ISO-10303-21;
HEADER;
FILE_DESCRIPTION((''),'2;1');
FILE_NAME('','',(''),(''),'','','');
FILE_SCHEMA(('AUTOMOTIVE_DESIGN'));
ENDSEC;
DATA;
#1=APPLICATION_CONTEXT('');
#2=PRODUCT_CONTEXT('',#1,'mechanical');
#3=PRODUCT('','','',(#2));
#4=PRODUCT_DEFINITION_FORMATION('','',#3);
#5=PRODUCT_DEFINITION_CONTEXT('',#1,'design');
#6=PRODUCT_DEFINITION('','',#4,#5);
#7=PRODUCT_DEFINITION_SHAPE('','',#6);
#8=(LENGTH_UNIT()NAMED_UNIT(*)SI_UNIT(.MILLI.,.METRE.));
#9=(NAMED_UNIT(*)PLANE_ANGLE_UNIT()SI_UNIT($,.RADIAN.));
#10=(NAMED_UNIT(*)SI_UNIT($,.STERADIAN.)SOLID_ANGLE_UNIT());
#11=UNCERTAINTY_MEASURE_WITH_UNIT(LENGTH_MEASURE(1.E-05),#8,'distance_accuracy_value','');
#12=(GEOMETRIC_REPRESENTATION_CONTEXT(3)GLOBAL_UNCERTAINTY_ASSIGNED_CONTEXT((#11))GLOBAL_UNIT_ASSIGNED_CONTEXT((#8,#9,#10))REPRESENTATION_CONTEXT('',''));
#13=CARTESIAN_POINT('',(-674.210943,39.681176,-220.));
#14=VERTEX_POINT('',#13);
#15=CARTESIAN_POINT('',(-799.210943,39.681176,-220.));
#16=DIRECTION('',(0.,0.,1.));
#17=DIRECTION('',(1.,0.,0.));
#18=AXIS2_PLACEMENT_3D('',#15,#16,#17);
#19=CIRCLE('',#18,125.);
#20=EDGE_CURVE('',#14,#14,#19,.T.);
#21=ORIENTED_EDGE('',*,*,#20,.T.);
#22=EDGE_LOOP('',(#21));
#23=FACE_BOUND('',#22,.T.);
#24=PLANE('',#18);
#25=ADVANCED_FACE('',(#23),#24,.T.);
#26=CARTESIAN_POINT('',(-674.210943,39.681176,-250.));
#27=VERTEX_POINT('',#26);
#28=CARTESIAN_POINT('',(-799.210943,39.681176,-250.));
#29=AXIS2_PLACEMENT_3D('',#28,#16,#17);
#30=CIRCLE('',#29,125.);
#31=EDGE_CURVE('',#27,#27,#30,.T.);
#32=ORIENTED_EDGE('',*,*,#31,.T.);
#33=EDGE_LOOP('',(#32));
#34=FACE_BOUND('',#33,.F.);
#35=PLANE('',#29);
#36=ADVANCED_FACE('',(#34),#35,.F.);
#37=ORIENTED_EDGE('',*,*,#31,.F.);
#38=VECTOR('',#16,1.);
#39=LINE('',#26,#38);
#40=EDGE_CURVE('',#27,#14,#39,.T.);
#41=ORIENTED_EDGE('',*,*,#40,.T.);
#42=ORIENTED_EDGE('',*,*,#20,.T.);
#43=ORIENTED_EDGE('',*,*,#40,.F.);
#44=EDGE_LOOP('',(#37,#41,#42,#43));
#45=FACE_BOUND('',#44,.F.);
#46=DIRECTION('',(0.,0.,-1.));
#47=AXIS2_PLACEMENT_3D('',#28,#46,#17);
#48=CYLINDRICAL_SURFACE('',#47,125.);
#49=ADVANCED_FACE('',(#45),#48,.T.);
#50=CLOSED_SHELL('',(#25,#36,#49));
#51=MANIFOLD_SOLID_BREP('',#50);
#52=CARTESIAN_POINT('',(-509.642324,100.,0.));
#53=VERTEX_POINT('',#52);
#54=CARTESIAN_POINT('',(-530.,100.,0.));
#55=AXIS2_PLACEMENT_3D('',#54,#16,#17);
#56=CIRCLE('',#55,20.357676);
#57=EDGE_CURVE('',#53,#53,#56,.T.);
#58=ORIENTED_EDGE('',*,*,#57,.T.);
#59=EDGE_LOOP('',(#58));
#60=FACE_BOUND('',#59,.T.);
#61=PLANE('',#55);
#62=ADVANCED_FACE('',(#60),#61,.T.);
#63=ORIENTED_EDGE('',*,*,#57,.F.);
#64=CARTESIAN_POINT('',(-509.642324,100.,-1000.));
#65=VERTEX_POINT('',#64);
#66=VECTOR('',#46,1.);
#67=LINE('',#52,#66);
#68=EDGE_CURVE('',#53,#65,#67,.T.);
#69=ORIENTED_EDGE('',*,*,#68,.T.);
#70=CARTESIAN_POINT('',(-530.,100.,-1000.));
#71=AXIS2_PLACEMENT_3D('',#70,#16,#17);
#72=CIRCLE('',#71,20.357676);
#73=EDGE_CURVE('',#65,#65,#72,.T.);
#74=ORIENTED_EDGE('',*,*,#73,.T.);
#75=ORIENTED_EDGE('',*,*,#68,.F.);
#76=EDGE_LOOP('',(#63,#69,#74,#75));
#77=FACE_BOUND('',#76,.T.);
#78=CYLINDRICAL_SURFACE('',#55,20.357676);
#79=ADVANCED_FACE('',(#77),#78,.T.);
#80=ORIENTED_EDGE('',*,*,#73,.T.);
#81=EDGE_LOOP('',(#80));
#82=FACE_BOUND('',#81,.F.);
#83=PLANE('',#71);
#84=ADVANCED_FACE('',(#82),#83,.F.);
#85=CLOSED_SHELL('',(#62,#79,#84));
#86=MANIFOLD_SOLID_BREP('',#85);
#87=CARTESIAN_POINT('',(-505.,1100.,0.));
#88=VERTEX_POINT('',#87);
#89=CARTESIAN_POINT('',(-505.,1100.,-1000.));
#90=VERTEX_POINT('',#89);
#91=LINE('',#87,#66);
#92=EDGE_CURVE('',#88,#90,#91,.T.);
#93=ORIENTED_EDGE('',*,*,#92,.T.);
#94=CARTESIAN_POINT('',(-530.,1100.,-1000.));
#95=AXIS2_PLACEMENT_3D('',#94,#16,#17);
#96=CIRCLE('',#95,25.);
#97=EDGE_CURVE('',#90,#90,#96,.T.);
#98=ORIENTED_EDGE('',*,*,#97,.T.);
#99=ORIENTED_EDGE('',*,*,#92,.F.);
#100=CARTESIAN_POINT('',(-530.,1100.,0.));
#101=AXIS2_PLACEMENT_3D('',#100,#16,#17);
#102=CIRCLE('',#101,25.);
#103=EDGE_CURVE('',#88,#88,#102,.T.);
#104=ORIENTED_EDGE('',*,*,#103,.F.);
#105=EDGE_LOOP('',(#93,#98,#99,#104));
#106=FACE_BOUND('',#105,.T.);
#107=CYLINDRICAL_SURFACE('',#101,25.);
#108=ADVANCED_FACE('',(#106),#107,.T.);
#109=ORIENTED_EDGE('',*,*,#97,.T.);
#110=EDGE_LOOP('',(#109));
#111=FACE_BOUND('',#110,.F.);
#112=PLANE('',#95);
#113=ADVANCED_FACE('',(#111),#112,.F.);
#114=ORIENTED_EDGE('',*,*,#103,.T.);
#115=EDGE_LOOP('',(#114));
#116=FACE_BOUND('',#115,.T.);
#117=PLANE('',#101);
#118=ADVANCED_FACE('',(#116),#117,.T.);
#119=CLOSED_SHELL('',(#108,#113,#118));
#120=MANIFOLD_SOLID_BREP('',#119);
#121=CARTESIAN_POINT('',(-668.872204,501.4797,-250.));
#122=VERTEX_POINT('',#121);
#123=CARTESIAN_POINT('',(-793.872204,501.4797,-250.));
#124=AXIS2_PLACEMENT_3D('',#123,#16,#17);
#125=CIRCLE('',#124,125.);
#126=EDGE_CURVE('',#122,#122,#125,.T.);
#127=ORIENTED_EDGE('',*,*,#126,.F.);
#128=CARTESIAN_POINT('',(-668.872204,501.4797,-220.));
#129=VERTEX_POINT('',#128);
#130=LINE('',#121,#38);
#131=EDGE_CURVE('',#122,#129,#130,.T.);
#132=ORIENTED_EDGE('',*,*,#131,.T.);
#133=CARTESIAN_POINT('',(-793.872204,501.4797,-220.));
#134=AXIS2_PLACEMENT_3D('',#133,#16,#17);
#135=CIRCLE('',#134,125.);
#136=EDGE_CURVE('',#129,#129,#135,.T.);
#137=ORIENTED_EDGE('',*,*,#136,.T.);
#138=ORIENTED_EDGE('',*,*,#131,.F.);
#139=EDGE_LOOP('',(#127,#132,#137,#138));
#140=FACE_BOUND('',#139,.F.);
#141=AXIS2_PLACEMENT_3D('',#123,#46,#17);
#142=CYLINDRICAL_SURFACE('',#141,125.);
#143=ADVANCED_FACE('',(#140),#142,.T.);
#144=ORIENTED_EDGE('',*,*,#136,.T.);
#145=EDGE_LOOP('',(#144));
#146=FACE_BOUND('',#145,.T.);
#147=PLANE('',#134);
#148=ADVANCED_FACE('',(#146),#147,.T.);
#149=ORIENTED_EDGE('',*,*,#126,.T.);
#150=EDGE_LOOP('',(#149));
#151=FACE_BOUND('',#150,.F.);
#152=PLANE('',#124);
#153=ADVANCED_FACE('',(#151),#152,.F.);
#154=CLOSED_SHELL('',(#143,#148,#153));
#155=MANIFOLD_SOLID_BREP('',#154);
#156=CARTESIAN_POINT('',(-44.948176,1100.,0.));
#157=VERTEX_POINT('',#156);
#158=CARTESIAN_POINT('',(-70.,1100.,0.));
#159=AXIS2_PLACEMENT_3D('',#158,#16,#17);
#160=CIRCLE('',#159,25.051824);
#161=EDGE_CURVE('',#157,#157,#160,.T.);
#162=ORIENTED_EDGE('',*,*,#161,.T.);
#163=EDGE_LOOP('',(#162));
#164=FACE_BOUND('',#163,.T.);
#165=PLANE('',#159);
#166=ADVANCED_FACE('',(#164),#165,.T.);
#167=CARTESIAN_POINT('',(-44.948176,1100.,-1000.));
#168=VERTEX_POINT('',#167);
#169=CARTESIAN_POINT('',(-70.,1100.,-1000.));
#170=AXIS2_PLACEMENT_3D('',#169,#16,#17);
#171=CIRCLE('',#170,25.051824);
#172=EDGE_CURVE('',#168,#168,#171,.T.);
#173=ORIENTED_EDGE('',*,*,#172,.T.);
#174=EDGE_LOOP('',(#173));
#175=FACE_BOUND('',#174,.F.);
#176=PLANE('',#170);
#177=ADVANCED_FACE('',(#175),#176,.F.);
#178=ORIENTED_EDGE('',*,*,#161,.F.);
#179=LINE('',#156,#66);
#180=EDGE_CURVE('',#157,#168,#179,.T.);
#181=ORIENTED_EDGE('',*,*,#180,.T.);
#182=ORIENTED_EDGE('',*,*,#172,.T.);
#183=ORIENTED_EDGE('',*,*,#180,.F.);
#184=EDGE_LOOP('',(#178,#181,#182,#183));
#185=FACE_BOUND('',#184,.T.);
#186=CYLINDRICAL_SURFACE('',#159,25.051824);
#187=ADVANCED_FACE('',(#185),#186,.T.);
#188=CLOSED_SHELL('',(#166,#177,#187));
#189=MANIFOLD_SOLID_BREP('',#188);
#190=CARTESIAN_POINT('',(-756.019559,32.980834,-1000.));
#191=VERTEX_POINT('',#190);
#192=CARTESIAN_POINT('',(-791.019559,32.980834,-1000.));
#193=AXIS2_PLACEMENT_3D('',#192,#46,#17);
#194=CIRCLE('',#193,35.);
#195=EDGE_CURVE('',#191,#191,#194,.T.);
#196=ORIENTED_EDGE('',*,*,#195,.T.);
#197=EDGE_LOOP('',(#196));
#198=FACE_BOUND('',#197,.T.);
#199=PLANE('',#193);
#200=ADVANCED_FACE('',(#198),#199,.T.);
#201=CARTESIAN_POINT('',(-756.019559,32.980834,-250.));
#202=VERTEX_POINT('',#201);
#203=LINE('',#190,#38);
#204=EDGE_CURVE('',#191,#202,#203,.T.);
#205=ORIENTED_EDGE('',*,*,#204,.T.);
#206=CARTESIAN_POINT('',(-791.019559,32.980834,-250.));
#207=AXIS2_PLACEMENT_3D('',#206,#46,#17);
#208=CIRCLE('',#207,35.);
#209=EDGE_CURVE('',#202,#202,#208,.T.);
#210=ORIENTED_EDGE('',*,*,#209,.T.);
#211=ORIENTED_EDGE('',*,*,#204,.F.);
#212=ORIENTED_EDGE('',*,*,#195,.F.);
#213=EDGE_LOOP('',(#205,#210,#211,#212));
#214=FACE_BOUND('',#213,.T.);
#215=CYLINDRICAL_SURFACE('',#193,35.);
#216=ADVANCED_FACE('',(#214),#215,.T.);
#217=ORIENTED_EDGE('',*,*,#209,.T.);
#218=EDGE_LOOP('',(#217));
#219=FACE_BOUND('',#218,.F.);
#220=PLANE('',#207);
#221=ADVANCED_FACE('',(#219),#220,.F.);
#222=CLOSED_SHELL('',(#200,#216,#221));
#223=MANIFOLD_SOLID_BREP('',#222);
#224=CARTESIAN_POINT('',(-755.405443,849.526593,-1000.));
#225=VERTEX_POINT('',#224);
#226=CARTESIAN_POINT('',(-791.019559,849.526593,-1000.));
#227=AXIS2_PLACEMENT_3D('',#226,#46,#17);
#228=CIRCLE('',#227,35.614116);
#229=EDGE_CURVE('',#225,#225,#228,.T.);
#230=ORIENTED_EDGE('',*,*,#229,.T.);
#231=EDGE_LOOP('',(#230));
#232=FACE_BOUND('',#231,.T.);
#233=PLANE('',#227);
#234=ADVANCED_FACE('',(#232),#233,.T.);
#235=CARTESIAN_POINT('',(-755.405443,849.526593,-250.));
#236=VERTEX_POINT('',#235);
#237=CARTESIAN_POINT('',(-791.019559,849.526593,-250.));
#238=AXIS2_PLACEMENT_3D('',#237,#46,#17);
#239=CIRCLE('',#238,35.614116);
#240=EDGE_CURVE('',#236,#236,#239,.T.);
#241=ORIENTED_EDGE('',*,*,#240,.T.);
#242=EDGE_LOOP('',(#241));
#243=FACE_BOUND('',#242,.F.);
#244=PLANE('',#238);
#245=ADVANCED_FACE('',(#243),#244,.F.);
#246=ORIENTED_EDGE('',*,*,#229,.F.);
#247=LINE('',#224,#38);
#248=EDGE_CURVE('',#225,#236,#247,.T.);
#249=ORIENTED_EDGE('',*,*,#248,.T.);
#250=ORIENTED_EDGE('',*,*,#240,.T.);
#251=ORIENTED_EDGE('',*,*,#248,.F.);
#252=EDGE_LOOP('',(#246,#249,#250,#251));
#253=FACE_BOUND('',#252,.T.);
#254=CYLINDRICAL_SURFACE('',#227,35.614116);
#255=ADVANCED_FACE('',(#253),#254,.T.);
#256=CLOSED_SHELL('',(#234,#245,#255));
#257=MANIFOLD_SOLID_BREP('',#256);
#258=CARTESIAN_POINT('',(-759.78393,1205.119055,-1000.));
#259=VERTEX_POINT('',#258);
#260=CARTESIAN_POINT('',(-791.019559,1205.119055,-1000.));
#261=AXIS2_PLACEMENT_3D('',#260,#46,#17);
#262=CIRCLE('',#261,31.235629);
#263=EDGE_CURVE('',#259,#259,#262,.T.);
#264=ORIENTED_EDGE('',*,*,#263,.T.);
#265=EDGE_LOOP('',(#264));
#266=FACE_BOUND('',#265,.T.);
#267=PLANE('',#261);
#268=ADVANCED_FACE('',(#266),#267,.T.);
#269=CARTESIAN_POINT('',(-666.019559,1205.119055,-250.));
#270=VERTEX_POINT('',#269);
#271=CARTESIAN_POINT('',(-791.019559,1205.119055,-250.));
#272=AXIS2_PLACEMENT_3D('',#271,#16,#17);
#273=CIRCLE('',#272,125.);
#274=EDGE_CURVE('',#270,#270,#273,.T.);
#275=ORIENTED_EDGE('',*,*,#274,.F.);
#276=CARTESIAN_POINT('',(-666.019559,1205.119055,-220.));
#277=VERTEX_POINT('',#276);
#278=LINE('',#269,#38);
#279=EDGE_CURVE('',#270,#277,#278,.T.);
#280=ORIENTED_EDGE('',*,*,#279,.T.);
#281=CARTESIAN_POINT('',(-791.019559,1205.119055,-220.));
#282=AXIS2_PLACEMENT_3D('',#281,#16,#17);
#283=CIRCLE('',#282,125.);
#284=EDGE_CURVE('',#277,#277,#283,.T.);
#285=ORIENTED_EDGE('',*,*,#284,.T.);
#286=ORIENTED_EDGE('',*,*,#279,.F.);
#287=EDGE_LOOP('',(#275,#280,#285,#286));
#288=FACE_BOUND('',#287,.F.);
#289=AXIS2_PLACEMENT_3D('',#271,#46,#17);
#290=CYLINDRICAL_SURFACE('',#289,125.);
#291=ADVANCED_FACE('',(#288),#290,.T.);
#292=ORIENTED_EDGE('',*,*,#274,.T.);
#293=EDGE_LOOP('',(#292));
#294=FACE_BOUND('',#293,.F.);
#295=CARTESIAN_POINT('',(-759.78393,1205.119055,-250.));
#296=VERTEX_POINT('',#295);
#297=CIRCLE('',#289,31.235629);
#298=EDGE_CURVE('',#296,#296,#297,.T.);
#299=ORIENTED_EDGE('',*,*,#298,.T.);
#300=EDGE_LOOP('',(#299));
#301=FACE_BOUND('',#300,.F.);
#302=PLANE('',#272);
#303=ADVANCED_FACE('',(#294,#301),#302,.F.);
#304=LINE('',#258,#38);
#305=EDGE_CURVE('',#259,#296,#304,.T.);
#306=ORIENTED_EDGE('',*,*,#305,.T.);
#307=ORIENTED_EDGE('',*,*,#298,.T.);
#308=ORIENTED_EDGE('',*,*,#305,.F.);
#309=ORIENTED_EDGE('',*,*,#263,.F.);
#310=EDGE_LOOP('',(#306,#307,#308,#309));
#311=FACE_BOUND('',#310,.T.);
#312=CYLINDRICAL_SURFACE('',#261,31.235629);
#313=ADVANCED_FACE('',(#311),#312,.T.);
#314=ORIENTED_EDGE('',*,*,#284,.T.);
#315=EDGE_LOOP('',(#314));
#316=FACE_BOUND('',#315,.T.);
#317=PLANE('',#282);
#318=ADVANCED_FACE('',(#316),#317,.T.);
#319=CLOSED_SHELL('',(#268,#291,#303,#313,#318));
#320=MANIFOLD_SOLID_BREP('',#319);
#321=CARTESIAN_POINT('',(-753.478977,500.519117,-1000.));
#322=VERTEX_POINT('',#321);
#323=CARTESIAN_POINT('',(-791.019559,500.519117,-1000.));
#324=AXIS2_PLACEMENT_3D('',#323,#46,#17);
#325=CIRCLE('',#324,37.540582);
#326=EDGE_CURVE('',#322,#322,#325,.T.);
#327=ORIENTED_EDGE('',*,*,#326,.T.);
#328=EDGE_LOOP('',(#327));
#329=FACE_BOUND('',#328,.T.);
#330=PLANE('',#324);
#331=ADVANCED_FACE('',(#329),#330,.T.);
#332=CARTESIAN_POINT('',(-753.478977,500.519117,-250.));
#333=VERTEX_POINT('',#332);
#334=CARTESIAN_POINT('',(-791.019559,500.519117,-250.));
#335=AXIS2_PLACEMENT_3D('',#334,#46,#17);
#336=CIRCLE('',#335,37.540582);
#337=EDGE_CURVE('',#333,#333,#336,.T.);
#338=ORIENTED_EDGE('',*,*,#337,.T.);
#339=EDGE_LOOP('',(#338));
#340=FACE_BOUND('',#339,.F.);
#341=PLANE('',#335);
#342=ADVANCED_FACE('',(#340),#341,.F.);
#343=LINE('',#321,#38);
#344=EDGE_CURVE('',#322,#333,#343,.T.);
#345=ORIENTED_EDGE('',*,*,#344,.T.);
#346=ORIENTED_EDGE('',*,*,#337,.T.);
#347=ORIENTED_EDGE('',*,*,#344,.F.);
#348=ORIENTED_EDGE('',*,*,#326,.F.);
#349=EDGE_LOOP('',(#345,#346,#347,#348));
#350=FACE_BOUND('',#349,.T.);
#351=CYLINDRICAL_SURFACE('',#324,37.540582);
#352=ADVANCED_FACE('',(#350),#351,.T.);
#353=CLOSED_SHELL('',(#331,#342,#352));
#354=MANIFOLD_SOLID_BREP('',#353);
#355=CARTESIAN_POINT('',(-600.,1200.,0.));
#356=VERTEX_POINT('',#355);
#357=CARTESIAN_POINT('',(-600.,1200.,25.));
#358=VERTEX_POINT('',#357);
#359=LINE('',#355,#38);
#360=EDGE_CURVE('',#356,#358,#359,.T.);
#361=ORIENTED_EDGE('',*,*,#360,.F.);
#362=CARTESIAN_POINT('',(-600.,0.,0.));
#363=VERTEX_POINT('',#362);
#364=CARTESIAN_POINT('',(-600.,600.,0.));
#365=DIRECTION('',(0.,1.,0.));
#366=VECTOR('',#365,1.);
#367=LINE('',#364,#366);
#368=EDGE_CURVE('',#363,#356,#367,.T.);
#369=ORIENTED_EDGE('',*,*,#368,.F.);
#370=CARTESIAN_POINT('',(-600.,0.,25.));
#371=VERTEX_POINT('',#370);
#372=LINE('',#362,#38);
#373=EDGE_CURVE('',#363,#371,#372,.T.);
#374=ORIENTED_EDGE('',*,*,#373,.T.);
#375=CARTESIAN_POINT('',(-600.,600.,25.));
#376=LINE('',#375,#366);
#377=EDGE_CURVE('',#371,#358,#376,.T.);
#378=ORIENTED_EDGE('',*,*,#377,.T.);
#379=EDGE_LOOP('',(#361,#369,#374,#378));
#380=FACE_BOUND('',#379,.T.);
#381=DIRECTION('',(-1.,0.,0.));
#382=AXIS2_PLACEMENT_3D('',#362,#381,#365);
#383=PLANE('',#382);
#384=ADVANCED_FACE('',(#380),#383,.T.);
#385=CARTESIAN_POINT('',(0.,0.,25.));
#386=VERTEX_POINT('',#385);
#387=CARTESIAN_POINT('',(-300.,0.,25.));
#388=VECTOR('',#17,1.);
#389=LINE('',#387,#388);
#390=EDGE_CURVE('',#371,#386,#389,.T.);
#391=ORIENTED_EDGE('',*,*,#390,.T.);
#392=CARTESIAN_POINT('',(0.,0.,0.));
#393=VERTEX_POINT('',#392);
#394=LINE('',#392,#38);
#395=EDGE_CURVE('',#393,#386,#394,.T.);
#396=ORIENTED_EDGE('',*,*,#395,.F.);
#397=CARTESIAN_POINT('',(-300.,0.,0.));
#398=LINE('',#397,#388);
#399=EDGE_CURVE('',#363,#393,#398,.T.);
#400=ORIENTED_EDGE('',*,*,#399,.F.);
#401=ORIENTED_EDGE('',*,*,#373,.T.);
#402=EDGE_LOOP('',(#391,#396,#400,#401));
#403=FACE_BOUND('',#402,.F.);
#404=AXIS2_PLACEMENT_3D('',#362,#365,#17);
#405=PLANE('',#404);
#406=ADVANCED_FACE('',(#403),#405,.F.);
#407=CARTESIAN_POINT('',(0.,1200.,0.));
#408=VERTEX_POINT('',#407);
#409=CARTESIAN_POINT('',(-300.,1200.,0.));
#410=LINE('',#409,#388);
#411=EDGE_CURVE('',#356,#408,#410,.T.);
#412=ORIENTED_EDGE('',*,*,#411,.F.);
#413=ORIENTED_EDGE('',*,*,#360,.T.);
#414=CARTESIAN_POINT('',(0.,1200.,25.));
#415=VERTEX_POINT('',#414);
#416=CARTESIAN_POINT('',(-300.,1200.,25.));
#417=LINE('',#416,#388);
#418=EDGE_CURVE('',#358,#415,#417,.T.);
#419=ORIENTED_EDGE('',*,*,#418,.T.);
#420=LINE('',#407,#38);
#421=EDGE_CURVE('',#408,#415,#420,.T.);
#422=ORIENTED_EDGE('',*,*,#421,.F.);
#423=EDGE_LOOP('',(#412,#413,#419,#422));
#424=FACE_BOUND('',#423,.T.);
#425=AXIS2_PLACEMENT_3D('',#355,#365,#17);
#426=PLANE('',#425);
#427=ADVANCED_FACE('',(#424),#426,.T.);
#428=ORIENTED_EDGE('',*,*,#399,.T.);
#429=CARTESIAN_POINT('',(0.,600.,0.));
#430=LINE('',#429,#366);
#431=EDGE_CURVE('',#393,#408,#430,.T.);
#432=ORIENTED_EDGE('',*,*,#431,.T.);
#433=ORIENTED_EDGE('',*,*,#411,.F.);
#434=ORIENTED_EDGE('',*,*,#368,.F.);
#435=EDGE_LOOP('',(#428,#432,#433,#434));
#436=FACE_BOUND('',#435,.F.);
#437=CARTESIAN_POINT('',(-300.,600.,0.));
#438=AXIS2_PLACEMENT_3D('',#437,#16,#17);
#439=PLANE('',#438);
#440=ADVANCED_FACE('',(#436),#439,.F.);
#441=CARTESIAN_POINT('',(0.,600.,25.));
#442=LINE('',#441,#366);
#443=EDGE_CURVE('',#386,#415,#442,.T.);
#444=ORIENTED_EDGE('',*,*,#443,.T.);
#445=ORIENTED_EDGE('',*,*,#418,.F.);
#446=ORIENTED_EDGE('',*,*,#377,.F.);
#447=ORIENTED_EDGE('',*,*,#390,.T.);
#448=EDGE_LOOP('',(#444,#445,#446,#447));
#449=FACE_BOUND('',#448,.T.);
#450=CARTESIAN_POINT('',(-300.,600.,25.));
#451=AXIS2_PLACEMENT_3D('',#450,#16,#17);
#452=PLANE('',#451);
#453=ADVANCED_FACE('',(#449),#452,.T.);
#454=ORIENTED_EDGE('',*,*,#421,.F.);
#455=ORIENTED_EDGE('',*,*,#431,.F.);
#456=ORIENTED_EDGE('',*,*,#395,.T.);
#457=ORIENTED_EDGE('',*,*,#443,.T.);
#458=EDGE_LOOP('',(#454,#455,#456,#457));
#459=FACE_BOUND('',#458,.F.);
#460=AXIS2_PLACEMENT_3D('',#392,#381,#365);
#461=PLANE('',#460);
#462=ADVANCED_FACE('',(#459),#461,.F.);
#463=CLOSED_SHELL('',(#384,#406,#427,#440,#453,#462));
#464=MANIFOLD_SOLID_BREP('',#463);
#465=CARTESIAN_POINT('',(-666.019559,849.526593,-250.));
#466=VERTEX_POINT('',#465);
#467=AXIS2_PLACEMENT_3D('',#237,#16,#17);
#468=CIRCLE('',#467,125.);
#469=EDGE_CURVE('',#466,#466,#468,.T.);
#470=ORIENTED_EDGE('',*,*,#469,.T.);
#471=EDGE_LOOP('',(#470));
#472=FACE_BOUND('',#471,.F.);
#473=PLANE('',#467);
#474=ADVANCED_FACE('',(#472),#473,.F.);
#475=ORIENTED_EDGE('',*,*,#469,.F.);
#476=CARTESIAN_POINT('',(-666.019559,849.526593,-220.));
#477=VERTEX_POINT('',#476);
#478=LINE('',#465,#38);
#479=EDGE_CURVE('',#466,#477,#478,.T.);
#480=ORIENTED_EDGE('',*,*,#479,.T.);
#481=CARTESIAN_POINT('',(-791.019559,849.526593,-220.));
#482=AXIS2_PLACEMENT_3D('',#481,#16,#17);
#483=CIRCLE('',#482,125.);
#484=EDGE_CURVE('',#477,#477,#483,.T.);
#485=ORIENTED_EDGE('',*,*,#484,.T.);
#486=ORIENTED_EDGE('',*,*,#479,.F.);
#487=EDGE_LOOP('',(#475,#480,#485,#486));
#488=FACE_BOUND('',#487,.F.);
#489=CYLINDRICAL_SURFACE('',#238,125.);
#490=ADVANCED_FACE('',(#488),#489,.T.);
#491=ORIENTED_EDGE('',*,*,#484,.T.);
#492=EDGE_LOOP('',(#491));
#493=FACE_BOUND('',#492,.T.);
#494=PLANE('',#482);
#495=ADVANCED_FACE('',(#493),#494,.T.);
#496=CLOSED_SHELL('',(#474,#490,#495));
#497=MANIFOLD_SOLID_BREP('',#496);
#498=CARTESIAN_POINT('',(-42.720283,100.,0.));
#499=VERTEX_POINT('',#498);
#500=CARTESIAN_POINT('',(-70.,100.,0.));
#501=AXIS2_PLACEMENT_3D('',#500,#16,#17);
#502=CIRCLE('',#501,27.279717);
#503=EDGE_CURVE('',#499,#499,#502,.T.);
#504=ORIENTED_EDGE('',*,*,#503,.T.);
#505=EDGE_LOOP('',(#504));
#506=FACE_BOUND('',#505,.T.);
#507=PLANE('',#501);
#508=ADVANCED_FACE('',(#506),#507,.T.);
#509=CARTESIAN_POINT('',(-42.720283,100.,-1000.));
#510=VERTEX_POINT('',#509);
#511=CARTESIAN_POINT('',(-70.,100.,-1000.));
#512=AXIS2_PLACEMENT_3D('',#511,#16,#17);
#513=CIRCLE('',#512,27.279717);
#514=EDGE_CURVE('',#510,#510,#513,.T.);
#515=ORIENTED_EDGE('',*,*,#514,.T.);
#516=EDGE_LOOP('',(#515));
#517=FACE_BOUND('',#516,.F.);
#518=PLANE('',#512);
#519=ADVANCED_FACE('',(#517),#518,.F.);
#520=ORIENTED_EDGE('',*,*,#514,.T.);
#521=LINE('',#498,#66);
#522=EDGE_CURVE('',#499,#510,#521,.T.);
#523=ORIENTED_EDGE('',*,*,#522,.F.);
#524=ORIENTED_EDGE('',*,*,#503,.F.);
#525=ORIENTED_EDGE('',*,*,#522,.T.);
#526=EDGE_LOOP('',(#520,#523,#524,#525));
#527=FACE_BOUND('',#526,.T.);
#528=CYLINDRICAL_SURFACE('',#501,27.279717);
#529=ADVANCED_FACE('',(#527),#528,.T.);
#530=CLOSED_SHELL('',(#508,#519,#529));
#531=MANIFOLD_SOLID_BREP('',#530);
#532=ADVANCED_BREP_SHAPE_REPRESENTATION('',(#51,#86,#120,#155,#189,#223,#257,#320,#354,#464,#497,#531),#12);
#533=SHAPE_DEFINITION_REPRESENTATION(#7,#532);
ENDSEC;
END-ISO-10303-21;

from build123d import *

# Parameters (mm, degrees)
F1_R     = 25
F1_R_2   = 25.051824
F1_R_3   = 27.279717
F1_R_4   = 20.357676
F2_DEPTH = 1000
F0_W     = 600
F0_H     = 1200
F3_DEPTH = 25
F4_R     = 35
F4_R_2   = 37.540582
F4_R_3   = 35.614116
F4_R_4   = 31.235629
F5_DEPTH = 750
F6_R     = 125
F7_DEPTH = 30
F8_R     = 125
F9_DEPTH = 30


with BuildPart() as f2:
    # F1 (on face) → F2 (new body)
    with BuildSketch(Plane.XY):
        with Locations((-530, 1100)):
            Circle(F1_R)
        with Locations((-70, 1100)):
            Circle(F1_R_2)
        with Locations((-70, 100)):
            Circle(F1_R_3)
        with Locations((-530, 100)):
            Circle(F1_R_4)
    extrude(amount=-F2_DEPTH)


with BuildPart() as f3:
    # F0 (on Top) → F3 (new body)
    with BuildSketch(Plane.XY):
        with Locations((-300, 600)):
            Rectangle(F0_W, F0_H)
    extrude(amount=F3_DEPTH)


with BuildPart() as f5:
    # F4 (on face) → F5 (new body)
    with BuildSketch(Plane(origin=(0, 0, -1000), x_dir=(1, 0, 0), z_dir=(0, 0, -1))):
        with Locations((-791.019559, -32.980834)):
            Circle(F4_R)
        with Locations((-791.019559, -500.519117)):
            Circle(F4_R_2)
        with Locations((-791.019559, -849.526593)):
            Circle(F4_R_3)
        with Locations((-791.019559, -1205.119055)):
            Circle(F4_R_4)
    extrude(amount=-F5_DEPTH)

    # F6 (on face) → F7 (join)
    with BuildSketch(Plane.XY.offset(-250)):
        with Locations((-791.019559, 1205.119055)):
            Circle(F6_R)
    extrude(amount=F7_DEPTH)


with BuildPart() as f9:
    # F8 (on face) → F9 (new body)
    with BuildSketch(Plane.XY.offset(-250)):
        with Locations((-791.019559, 849.526593)):
            Circle(F8_R)
        with Locations((-793.872204, 501.4797)):
            Circle(F8_R)
        with Locations((-799.210943, 39.681176)):
            Circle(F8_R)
    extrude(amount=F9_DEPTH)


solid = Compound([f2.part, f3.part, f5.part, f9.part])
